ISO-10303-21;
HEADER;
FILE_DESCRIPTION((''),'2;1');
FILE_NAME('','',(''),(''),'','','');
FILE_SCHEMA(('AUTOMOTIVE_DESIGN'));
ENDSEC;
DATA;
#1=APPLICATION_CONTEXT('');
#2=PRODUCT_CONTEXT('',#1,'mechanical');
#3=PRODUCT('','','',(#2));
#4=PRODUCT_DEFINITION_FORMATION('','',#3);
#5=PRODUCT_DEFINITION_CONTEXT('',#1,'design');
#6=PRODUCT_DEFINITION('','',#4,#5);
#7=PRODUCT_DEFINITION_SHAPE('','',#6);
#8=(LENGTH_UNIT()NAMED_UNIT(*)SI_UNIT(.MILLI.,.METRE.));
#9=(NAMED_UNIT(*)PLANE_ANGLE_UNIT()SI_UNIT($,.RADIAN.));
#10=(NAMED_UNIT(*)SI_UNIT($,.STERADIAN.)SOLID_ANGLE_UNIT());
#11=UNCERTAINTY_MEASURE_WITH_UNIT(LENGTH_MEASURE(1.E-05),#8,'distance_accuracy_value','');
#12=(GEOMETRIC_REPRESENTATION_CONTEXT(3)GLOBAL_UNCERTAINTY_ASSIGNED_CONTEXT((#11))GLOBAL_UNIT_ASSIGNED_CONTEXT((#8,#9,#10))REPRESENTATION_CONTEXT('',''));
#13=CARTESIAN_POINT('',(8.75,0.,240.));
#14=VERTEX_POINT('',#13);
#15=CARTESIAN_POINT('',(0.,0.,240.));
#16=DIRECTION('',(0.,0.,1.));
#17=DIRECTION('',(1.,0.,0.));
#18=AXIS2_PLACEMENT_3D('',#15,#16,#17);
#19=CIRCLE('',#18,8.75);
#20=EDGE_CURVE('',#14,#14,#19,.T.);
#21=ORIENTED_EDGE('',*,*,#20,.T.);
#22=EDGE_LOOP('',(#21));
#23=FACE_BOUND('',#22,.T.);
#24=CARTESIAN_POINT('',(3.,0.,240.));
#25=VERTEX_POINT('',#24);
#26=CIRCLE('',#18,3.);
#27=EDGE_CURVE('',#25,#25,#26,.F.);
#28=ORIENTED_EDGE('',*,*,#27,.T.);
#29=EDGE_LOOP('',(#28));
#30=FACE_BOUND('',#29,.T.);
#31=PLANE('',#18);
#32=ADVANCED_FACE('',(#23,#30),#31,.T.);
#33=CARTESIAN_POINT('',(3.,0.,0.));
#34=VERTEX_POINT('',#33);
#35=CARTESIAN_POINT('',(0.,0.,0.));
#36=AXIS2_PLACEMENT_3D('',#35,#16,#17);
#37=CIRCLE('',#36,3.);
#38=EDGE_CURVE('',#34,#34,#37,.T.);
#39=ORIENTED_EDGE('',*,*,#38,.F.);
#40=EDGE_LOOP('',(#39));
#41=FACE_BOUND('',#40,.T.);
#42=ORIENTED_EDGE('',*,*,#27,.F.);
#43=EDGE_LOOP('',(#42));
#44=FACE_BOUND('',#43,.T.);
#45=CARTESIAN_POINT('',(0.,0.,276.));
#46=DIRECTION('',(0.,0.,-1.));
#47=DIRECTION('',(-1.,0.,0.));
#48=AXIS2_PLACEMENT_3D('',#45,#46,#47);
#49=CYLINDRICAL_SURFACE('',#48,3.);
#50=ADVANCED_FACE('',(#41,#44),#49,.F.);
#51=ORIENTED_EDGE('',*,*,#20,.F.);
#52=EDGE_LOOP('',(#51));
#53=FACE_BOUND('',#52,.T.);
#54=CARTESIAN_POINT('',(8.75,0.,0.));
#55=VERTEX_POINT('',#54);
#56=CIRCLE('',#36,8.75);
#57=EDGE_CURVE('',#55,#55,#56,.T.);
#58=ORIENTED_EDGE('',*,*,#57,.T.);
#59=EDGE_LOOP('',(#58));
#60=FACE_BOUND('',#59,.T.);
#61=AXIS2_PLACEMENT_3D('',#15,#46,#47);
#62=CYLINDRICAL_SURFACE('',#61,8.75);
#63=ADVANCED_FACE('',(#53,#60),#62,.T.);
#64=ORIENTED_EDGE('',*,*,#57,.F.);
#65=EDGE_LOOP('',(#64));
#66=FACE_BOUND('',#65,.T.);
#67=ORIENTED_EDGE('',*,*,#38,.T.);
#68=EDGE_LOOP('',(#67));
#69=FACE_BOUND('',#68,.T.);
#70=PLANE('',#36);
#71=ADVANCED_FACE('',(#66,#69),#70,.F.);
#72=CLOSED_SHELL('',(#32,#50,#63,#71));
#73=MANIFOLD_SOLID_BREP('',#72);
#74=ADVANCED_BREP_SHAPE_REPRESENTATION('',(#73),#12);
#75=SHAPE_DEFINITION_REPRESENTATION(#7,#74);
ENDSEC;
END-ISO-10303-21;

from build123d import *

# Parameters (mm, degrees)
SKETCH1_R           = 8.75
BOSS_EXTRUDE1_DEPTH = 240
SKETCH2_R           = 3
CUT_EXTRUDE2_DEPTH  = 276


with BuildPart() as part:
    # Sketch1 → Boss-Extrude1 (new body)
    with BuildSketch(Plane.XY):
        Circle(SKETCH1_R)
    extrude(amount=BOSS_EXTRUDE1_DEPTH)

    # Sketch2 → Cut-Extrude2 (cut)
    with BuildSketch(Plane.XY):
        Circle(SKETCH2_R)
    extrude(amount=CUT_EXTRUDE2_DEPTH, mode=Mode.SUBTRACT)


solid = part.part
